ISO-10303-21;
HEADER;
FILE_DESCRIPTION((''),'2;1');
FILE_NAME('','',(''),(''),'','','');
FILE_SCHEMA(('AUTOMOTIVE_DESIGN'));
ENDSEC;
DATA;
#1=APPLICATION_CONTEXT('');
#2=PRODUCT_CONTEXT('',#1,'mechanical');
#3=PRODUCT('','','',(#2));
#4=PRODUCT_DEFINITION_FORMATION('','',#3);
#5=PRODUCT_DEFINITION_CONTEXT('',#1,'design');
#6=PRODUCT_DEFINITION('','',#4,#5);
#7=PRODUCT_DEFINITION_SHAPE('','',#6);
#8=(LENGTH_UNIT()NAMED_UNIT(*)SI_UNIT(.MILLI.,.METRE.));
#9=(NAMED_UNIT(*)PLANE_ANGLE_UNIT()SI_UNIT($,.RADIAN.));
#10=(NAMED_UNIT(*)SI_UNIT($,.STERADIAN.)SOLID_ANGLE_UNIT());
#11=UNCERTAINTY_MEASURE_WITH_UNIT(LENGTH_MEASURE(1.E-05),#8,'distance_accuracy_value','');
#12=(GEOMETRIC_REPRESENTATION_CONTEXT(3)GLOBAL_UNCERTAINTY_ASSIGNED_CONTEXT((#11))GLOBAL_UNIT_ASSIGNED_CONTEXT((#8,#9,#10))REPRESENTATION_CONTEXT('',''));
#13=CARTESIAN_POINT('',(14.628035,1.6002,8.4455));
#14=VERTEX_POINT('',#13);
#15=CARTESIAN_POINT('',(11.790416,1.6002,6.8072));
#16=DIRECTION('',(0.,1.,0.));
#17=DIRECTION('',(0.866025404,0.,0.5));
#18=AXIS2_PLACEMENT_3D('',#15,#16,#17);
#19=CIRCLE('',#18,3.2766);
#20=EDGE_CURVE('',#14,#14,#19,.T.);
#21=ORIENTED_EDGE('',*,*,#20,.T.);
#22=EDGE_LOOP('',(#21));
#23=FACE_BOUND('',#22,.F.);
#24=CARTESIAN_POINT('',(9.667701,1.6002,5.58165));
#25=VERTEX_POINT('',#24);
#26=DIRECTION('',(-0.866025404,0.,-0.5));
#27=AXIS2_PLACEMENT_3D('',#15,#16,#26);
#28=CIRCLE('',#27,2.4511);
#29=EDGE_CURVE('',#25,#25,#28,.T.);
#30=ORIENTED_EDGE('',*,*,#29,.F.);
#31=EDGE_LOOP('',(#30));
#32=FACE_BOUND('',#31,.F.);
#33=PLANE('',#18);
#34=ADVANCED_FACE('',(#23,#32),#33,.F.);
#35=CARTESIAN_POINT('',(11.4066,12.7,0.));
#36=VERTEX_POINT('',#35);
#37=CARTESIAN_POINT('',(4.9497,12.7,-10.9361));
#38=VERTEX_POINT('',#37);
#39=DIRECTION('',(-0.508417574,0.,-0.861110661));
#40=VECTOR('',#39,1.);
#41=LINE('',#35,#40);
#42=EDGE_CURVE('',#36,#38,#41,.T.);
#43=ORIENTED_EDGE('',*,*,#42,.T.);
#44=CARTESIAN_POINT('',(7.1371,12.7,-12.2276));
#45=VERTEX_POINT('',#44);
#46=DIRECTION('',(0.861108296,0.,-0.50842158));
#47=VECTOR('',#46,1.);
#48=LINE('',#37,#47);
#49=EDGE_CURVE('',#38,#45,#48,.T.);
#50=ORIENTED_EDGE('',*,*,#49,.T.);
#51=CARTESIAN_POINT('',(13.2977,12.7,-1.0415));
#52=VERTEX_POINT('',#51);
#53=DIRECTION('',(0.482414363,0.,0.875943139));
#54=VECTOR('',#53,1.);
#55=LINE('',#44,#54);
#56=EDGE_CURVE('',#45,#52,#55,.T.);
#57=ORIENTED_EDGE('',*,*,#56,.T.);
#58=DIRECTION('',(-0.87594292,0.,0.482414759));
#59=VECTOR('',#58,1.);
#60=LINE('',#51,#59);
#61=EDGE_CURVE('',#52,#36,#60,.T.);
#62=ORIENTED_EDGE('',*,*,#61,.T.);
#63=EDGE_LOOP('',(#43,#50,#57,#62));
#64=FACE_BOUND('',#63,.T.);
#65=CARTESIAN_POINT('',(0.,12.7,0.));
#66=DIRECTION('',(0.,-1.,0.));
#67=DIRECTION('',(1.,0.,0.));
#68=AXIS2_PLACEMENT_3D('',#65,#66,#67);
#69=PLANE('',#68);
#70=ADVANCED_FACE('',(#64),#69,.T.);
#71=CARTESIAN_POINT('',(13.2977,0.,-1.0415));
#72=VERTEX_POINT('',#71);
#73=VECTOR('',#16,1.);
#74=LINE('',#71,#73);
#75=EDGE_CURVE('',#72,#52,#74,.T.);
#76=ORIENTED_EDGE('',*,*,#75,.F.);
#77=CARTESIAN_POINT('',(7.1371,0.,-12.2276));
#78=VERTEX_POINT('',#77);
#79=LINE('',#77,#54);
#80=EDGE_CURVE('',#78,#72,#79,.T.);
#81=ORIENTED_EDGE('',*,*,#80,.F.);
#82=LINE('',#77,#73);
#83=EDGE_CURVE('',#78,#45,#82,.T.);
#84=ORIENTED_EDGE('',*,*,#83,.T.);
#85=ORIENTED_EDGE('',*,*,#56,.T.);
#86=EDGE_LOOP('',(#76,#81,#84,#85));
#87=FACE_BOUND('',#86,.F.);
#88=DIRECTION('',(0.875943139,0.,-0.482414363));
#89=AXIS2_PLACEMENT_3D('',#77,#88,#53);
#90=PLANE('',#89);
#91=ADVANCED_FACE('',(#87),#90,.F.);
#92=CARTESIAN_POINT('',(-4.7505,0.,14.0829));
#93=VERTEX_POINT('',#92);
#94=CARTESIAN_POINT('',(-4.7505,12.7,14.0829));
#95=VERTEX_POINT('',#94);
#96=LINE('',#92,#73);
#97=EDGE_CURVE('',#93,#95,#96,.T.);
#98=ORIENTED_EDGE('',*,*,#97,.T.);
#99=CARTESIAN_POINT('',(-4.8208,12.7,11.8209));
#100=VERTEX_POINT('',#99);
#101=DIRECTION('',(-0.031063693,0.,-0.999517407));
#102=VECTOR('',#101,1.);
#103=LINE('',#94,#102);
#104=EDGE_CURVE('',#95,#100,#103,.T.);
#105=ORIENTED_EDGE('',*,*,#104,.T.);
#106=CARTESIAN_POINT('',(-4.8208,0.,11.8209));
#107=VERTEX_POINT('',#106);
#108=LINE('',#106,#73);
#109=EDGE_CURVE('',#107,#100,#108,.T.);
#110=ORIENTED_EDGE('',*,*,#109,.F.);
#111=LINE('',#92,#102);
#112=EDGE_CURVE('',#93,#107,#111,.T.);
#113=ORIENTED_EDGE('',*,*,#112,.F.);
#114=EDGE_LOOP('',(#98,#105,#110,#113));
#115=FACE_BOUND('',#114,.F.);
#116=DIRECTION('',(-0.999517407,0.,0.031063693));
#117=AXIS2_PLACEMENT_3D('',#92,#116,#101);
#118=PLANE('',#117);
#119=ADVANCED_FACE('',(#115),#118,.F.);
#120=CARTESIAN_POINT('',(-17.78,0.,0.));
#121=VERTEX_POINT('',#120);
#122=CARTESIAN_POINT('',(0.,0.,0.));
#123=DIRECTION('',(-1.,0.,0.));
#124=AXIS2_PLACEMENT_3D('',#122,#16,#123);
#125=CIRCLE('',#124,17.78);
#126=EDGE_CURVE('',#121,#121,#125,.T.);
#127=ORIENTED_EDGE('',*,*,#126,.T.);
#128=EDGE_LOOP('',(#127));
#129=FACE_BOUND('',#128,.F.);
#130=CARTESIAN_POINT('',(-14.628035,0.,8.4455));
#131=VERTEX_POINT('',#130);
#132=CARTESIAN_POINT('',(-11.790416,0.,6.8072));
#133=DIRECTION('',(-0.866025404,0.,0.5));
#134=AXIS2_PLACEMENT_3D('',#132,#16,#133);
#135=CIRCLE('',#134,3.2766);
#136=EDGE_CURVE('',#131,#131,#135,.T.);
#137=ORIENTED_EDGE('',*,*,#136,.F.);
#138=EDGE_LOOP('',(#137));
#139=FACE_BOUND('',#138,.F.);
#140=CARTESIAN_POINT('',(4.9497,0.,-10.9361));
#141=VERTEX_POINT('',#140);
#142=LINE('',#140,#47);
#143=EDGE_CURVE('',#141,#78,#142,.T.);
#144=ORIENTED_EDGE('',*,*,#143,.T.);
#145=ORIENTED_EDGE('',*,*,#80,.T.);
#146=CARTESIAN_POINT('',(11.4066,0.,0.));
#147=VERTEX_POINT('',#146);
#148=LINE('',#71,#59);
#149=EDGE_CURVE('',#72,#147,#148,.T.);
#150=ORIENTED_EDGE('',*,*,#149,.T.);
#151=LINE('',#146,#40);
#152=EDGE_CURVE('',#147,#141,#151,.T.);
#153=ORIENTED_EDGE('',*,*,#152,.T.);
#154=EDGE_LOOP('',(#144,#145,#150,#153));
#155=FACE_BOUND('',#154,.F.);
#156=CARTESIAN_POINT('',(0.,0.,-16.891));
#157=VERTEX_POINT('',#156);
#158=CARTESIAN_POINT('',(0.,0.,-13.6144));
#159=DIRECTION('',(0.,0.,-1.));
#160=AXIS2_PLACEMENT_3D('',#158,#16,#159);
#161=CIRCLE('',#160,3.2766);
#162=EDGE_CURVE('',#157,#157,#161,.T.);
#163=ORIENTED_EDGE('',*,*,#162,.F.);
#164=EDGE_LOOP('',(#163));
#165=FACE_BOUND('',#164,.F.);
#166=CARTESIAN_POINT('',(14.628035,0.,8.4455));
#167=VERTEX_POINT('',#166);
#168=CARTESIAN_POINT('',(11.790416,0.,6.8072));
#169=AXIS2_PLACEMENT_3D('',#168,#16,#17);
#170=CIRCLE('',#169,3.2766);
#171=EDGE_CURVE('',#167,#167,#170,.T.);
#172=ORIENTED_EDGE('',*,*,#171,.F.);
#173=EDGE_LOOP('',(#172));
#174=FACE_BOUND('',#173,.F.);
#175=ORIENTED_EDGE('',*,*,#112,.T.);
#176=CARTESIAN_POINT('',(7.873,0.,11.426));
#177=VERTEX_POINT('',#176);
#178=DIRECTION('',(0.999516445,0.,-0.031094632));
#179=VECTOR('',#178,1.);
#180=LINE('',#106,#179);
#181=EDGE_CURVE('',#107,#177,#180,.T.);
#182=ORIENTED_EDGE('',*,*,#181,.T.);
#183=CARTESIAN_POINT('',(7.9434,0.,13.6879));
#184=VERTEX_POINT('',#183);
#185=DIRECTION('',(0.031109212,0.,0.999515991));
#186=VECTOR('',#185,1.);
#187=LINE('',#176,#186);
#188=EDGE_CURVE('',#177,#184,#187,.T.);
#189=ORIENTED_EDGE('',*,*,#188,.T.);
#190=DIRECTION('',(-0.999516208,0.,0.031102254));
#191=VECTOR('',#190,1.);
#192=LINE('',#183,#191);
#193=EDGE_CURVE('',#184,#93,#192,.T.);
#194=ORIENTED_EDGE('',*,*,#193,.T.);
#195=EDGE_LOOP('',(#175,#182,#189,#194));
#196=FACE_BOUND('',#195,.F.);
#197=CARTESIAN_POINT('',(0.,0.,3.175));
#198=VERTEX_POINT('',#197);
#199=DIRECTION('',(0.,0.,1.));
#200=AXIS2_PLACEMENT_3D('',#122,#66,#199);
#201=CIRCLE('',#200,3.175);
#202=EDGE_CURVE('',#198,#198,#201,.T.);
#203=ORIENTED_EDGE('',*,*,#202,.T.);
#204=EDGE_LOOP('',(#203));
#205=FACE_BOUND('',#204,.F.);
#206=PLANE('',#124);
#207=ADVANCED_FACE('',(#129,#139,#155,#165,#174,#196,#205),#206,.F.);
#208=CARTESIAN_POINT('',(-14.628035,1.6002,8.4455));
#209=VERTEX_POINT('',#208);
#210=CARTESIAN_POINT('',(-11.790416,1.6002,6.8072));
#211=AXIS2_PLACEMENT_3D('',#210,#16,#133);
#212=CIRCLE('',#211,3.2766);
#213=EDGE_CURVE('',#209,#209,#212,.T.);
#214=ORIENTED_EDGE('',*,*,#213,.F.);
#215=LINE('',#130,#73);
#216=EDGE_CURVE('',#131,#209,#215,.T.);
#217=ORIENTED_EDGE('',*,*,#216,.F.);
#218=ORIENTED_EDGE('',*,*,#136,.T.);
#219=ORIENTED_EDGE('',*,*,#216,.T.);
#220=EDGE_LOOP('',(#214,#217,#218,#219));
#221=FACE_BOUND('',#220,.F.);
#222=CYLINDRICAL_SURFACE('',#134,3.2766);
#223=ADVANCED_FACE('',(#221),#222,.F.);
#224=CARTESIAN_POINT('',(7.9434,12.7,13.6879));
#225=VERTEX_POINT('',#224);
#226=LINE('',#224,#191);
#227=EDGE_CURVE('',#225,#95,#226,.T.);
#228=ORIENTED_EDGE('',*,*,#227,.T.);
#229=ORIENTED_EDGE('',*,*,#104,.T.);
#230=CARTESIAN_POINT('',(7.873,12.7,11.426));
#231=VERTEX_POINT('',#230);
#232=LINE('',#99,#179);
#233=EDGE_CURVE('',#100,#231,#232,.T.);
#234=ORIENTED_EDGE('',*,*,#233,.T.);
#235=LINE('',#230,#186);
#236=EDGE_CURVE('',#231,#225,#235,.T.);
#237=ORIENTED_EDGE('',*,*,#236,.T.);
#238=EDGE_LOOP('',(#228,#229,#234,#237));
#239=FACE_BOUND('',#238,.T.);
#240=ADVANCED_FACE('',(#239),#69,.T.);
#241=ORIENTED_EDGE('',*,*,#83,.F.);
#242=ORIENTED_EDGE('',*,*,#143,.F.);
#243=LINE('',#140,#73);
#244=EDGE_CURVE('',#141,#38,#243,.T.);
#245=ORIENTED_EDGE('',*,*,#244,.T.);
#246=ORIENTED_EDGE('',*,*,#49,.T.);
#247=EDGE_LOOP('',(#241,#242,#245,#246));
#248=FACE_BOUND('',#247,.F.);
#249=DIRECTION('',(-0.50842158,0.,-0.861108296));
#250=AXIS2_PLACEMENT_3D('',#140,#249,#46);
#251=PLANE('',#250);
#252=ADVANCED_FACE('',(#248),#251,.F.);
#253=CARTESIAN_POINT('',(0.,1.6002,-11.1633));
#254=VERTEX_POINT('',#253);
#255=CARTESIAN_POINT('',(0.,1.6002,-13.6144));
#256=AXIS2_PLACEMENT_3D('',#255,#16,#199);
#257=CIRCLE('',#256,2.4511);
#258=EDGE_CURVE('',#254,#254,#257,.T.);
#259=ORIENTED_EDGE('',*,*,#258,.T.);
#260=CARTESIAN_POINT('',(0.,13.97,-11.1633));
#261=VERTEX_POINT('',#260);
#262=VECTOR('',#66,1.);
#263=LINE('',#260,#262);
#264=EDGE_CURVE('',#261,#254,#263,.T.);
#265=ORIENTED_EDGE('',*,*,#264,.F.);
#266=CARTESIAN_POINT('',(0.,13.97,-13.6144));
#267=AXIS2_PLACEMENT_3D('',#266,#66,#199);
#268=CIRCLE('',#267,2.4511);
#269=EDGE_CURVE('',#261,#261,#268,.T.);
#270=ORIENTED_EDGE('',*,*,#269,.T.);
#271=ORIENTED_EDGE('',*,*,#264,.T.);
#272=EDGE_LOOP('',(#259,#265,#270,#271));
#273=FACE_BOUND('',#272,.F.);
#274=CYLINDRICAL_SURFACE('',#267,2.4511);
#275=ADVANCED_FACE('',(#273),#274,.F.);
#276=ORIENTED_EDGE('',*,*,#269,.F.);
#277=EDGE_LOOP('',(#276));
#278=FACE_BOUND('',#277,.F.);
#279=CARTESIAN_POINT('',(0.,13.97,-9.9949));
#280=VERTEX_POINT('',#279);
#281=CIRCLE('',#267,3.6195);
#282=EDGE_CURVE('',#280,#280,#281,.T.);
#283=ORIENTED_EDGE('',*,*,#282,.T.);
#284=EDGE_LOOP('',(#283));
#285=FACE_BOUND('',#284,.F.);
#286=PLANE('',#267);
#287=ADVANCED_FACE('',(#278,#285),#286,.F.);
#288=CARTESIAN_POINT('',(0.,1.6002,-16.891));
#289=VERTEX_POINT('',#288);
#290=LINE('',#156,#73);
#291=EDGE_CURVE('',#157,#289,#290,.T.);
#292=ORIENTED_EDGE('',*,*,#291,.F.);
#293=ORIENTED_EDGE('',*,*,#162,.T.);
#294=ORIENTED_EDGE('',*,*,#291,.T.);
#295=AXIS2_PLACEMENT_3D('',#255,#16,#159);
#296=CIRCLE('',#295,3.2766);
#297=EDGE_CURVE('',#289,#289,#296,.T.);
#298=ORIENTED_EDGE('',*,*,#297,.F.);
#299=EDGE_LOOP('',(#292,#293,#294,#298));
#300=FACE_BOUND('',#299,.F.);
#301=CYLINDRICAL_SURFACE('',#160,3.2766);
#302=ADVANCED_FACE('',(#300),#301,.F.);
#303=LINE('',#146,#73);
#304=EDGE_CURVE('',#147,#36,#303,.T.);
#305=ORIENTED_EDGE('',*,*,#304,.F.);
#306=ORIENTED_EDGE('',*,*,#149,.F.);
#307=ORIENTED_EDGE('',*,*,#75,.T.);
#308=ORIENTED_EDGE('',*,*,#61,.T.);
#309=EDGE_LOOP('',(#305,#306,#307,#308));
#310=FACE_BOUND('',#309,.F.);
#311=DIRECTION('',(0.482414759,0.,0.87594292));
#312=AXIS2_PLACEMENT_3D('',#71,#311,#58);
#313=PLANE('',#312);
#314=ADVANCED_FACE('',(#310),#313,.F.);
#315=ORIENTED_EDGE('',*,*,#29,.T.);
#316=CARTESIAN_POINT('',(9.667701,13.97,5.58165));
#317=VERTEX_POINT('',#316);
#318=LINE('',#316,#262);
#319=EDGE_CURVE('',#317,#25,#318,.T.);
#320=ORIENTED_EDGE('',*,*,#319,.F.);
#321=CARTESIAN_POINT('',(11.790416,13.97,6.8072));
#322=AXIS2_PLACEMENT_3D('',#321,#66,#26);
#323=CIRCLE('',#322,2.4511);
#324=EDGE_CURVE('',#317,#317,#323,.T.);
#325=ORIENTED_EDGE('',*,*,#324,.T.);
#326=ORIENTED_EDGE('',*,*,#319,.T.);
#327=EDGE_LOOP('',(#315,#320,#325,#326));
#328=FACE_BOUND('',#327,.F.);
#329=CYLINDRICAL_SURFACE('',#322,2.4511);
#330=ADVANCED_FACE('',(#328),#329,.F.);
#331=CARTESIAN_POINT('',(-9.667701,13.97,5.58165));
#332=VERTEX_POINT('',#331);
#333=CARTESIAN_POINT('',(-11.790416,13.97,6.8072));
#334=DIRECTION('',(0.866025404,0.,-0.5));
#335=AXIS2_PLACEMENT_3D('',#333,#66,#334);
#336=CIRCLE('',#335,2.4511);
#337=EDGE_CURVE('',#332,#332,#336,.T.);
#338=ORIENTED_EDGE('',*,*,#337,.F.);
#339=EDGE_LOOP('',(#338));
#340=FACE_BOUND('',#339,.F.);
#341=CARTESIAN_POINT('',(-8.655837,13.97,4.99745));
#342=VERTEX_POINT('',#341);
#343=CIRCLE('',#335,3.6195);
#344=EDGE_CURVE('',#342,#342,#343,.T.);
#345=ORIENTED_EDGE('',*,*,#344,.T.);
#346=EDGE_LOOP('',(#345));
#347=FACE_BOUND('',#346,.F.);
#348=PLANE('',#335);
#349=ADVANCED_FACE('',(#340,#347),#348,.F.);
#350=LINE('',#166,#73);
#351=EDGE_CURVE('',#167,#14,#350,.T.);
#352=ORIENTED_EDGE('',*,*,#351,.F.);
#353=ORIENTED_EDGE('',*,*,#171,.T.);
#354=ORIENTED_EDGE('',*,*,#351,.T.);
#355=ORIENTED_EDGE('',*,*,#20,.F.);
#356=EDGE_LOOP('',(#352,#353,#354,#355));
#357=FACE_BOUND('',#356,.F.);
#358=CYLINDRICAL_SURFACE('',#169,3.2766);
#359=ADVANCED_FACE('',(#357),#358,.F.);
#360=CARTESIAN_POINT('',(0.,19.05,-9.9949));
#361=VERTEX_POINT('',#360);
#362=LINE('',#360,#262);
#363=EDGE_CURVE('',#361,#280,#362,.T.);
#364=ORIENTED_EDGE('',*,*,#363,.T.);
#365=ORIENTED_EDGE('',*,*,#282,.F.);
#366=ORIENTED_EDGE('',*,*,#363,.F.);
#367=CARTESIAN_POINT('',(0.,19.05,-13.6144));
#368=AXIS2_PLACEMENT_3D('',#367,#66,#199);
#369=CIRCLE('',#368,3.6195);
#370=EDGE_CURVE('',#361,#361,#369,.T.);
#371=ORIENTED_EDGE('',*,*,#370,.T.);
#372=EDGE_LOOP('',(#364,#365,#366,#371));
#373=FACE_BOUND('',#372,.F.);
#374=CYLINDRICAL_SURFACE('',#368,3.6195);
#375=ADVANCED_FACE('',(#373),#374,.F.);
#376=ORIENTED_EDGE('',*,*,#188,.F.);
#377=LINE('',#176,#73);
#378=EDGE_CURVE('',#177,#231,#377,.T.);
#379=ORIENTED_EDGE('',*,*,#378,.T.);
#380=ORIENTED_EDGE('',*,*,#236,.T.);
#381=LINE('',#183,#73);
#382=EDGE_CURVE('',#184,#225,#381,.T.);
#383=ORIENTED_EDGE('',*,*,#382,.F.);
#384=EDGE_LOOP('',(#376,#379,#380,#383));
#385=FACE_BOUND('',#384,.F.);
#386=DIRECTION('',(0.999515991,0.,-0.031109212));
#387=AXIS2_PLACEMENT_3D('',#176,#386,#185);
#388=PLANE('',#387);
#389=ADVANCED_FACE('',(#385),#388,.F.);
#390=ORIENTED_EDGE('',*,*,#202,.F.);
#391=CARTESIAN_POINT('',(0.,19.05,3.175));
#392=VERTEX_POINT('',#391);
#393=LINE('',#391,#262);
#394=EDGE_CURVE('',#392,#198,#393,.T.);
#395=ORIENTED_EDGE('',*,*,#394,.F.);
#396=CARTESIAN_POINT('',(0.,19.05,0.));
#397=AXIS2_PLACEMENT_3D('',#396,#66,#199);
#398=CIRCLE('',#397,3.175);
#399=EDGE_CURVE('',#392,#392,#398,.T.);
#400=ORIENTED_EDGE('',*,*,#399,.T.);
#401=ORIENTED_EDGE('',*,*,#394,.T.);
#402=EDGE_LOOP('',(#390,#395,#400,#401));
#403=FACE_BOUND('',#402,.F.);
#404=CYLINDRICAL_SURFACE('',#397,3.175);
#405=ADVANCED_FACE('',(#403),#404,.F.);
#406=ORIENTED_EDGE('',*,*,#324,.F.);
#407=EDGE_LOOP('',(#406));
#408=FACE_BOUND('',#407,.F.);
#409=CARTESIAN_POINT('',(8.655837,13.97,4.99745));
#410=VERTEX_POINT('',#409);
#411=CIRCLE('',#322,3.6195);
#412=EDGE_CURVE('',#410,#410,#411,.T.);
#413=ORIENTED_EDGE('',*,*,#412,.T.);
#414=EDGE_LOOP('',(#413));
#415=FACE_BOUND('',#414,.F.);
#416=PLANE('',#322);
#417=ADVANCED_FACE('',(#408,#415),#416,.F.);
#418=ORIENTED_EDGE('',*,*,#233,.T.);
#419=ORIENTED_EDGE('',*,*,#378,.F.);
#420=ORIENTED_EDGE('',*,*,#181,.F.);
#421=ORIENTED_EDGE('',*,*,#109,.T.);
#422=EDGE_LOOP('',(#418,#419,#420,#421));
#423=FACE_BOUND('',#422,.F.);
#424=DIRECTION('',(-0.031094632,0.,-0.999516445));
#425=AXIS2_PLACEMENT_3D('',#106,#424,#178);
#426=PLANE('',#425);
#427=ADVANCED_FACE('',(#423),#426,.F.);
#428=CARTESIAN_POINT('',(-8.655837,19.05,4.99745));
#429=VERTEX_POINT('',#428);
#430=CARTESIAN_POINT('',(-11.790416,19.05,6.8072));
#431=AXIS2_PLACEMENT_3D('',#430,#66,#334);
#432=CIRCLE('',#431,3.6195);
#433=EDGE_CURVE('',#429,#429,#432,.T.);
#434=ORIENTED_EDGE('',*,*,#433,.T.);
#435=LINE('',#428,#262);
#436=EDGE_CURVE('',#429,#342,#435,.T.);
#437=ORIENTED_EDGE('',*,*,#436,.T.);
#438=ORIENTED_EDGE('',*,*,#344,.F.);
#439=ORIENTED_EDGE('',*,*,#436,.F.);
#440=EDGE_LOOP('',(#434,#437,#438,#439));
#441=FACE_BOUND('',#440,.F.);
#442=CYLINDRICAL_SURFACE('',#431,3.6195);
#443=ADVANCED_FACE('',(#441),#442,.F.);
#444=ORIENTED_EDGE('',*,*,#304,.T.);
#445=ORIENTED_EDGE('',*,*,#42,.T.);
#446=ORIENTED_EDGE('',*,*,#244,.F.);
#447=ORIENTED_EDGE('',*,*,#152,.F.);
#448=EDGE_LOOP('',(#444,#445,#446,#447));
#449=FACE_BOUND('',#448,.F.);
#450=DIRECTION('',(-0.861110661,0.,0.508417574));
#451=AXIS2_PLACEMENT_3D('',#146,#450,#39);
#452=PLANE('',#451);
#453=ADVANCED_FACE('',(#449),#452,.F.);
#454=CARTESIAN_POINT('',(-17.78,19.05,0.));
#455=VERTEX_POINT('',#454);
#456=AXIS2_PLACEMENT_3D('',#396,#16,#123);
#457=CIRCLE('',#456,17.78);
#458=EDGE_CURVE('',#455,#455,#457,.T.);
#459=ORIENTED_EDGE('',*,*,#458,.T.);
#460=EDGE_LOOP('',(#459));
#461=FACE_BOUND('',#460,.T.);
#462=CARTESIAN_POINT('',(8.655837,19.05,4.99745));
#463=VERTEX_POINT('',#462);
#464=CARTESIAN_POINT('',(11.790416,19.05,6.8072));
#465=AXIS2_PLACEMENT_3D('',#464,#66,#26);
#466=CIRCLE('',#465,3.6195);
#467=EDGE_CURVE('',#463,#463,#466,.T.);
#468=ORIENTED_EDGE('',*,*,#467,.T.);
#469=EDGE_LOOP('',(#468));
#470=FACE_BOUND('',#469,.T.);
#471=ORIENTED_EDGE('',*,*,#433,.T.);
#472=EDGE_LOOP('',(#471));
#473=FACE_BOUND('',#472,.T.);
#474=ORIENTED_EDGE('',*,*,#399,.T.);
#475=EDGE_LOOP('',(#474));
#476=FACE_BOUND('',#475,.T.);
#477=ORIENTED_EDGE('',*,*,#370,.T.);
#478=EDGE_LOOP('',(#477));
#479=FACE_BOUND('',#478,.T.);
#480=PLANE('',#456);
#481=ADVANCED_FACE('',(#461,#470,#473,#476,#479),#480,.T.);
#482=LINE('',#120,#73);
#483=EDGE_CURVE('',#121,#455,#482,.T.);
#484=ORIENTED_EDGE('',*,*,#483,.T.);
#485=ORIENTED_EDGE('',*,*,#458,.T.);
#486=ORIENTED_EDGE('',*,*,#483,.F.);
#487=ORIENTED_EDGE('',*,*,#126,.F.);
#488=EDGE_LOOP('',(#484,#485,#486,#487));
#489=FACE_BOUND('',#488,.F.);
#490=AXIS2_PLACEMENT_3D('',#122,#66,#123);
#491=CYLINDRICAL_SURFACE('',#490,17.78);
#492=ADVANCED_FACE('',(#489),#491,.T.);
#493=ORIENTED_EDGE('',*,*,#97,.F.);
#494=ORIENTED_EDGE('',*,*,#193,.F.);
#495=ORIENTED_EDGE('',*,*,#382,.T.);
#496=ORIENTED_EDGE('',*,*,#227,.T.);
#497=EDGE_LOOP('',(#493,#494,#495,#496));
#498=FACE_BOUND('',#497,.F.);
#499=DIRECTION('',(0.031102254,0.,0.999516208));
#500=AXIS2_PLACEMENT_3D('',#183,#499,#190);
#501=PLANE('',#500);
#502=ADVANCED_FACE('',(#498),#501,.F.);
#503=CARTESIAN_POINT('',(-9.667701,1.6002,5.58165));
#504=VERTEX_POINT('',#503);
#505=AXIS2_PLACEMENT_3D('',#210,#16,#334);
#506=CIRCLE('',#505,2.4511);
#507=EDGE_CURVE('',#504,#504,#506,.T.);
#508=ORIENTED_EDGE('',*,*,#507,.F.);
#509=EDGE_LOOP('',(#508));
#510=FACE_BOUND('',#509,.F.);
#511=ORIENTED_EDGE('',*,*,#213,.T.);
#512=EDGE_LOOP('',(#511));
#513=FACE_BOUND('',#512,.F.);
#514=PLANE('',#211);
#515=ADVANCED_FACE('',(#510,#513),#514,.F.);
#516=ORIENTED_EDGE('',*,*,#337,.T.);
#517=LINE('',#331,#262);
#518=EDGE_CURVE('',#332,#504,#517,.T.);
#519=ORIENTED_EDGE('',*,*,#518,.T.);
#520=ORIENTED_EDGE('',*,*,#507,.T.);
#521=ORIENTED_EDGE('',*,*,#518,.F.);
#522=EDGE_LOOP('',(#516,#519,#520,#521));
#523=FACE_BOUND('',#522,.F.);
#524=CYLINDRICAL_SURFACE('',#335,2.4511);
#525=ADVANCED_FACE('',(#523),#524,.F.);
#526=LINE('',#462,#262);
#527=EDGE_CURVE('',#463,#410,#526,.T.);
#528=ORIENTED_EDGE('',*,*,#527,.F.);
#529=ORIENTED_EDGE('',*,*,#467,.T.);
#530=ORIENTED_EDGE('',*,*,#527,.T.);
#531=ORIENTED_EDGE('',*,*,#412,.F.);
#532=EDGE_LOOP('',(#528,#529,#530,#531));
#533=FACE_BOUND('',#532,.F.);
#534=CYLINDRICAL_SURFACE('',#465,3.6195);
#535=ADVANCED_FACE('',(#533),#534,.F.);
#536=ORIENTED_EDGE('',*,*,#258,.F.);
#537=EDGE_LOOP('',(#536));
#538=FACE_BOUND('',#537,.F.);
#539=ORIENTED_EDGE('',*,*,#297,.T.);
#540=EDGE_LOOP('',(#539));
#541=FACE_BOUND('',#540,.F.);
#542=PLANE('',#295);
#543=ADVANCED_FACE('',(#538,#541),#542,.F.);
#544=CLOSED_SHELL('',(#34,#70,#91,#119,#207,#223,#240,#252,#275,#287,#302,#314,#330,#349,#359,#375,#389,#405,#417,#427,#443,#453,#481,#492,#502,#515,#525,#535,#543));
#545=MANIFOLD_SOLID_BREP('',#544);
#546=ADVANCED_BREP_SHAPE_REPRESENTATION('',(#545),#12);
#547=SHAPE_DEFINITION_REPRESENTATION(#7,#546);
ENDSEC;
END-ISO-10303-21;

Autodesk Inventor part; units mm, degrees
ref_plane "YZ Plane" through (0, 0, 0) normal (1, 0, 0) x (0, 1, 0)
ref_plane "XZ Plane" through (0, 0, 0) normal (0, 1, 0) x (-1, 0, 0)
ref_plane "XY Plane" through (0, 0, 0) normal (0, 0, 1) x (1, 0, 0)
sketch "Sketch1" plane through (0, 0, 0) normal (0, 1, 0) x (-1, 0, 0)
  line L0 (0, 0) -> (13.6144, 0)
  circle A0 centre (0, 0) radius 17.78
  dimension "d0" = 13.6144
  dimension "d1" = 35.56
extrude "Extrusion1" add sketch "Sketch1" along normal blind 19.05
sketch "Sketch3" plane through (0, 19.05, 0) normal (0, 1, 0) x (1, 0, 0)
  line L0 (0, 0) -> (0, 13.6144)
  line L1 (0, 0) -> (13.6144, 0) construction
  dimension "d4" = 13.6144
  dimension "d5" = 90
hole "Hole1" at (0, 19.05, -13.6144) direction (0, -1, 0) diameter 4.9022 end through all counterbore diameter 7.239 counterbore depth 5.08
sketch "Sketch4" plane through (0, 0, 0) normal (0, -1, 0) x (1, 0, 0)
  circle A0 centre (0, -13.6144) radius 2.4511 projected
  line L0 (0, 0) -> (0, -13.6144)
hole "Hole2" at (0, 0, -13.6144) direction (0, 1, 0) diameter 4.9022 depth 6.35 counterbore diameter 6.5532 counterbore depth 1.6002
pattern_circular "Circular Pattern1" count 3 over 360 about axis through (0, 0, 0) along (0, 1, 0) of "Hole1", "Hole2"
sketch "Sketch6" plane through (0, 19.05, 0) normal (0, 1, 0) x (1, 0, 0)
  point P0 (0, 0)
  point P1 (0, 0)
hole "Hole3" at (0, 19.05, 0) direction (0, -1, 0) diameter 6.35 end through all
sketch "Sketch10" plane through (0, 0, 0) normal (0, -1, 0) x (1, 0, 0)
  line L0 (7.9434, 13.6879) -> (-4.7505, 14.0829)
  line L1 (-4.7505, 14.0829) -> (-4.8208, 11.8209)
  line L2 (-4.8208, 11.8209) -> (7.873, 11.426)
  line L3 (7.873, 11.426) -> (7.9434, 13.6879)
  line L4 (11.4066, 0) -> (4.9497, -10.9361)
  line L5 (4.9497, -10.9361) -> (7.1371, -12.2276)
  line L6 (7.1371, -12.2276) -> (13.2977, -1.0415)
  line L7 (13.2977, -1.0415) -> (11.4066, 0)
  point P0 (0, 0)
  dimension "d38" = 12.7
  dimension "d39" = 12.7
extrude "Extrusion2" cut sketch "Sketch10" against normal blind 12.7
properties part number "table"
